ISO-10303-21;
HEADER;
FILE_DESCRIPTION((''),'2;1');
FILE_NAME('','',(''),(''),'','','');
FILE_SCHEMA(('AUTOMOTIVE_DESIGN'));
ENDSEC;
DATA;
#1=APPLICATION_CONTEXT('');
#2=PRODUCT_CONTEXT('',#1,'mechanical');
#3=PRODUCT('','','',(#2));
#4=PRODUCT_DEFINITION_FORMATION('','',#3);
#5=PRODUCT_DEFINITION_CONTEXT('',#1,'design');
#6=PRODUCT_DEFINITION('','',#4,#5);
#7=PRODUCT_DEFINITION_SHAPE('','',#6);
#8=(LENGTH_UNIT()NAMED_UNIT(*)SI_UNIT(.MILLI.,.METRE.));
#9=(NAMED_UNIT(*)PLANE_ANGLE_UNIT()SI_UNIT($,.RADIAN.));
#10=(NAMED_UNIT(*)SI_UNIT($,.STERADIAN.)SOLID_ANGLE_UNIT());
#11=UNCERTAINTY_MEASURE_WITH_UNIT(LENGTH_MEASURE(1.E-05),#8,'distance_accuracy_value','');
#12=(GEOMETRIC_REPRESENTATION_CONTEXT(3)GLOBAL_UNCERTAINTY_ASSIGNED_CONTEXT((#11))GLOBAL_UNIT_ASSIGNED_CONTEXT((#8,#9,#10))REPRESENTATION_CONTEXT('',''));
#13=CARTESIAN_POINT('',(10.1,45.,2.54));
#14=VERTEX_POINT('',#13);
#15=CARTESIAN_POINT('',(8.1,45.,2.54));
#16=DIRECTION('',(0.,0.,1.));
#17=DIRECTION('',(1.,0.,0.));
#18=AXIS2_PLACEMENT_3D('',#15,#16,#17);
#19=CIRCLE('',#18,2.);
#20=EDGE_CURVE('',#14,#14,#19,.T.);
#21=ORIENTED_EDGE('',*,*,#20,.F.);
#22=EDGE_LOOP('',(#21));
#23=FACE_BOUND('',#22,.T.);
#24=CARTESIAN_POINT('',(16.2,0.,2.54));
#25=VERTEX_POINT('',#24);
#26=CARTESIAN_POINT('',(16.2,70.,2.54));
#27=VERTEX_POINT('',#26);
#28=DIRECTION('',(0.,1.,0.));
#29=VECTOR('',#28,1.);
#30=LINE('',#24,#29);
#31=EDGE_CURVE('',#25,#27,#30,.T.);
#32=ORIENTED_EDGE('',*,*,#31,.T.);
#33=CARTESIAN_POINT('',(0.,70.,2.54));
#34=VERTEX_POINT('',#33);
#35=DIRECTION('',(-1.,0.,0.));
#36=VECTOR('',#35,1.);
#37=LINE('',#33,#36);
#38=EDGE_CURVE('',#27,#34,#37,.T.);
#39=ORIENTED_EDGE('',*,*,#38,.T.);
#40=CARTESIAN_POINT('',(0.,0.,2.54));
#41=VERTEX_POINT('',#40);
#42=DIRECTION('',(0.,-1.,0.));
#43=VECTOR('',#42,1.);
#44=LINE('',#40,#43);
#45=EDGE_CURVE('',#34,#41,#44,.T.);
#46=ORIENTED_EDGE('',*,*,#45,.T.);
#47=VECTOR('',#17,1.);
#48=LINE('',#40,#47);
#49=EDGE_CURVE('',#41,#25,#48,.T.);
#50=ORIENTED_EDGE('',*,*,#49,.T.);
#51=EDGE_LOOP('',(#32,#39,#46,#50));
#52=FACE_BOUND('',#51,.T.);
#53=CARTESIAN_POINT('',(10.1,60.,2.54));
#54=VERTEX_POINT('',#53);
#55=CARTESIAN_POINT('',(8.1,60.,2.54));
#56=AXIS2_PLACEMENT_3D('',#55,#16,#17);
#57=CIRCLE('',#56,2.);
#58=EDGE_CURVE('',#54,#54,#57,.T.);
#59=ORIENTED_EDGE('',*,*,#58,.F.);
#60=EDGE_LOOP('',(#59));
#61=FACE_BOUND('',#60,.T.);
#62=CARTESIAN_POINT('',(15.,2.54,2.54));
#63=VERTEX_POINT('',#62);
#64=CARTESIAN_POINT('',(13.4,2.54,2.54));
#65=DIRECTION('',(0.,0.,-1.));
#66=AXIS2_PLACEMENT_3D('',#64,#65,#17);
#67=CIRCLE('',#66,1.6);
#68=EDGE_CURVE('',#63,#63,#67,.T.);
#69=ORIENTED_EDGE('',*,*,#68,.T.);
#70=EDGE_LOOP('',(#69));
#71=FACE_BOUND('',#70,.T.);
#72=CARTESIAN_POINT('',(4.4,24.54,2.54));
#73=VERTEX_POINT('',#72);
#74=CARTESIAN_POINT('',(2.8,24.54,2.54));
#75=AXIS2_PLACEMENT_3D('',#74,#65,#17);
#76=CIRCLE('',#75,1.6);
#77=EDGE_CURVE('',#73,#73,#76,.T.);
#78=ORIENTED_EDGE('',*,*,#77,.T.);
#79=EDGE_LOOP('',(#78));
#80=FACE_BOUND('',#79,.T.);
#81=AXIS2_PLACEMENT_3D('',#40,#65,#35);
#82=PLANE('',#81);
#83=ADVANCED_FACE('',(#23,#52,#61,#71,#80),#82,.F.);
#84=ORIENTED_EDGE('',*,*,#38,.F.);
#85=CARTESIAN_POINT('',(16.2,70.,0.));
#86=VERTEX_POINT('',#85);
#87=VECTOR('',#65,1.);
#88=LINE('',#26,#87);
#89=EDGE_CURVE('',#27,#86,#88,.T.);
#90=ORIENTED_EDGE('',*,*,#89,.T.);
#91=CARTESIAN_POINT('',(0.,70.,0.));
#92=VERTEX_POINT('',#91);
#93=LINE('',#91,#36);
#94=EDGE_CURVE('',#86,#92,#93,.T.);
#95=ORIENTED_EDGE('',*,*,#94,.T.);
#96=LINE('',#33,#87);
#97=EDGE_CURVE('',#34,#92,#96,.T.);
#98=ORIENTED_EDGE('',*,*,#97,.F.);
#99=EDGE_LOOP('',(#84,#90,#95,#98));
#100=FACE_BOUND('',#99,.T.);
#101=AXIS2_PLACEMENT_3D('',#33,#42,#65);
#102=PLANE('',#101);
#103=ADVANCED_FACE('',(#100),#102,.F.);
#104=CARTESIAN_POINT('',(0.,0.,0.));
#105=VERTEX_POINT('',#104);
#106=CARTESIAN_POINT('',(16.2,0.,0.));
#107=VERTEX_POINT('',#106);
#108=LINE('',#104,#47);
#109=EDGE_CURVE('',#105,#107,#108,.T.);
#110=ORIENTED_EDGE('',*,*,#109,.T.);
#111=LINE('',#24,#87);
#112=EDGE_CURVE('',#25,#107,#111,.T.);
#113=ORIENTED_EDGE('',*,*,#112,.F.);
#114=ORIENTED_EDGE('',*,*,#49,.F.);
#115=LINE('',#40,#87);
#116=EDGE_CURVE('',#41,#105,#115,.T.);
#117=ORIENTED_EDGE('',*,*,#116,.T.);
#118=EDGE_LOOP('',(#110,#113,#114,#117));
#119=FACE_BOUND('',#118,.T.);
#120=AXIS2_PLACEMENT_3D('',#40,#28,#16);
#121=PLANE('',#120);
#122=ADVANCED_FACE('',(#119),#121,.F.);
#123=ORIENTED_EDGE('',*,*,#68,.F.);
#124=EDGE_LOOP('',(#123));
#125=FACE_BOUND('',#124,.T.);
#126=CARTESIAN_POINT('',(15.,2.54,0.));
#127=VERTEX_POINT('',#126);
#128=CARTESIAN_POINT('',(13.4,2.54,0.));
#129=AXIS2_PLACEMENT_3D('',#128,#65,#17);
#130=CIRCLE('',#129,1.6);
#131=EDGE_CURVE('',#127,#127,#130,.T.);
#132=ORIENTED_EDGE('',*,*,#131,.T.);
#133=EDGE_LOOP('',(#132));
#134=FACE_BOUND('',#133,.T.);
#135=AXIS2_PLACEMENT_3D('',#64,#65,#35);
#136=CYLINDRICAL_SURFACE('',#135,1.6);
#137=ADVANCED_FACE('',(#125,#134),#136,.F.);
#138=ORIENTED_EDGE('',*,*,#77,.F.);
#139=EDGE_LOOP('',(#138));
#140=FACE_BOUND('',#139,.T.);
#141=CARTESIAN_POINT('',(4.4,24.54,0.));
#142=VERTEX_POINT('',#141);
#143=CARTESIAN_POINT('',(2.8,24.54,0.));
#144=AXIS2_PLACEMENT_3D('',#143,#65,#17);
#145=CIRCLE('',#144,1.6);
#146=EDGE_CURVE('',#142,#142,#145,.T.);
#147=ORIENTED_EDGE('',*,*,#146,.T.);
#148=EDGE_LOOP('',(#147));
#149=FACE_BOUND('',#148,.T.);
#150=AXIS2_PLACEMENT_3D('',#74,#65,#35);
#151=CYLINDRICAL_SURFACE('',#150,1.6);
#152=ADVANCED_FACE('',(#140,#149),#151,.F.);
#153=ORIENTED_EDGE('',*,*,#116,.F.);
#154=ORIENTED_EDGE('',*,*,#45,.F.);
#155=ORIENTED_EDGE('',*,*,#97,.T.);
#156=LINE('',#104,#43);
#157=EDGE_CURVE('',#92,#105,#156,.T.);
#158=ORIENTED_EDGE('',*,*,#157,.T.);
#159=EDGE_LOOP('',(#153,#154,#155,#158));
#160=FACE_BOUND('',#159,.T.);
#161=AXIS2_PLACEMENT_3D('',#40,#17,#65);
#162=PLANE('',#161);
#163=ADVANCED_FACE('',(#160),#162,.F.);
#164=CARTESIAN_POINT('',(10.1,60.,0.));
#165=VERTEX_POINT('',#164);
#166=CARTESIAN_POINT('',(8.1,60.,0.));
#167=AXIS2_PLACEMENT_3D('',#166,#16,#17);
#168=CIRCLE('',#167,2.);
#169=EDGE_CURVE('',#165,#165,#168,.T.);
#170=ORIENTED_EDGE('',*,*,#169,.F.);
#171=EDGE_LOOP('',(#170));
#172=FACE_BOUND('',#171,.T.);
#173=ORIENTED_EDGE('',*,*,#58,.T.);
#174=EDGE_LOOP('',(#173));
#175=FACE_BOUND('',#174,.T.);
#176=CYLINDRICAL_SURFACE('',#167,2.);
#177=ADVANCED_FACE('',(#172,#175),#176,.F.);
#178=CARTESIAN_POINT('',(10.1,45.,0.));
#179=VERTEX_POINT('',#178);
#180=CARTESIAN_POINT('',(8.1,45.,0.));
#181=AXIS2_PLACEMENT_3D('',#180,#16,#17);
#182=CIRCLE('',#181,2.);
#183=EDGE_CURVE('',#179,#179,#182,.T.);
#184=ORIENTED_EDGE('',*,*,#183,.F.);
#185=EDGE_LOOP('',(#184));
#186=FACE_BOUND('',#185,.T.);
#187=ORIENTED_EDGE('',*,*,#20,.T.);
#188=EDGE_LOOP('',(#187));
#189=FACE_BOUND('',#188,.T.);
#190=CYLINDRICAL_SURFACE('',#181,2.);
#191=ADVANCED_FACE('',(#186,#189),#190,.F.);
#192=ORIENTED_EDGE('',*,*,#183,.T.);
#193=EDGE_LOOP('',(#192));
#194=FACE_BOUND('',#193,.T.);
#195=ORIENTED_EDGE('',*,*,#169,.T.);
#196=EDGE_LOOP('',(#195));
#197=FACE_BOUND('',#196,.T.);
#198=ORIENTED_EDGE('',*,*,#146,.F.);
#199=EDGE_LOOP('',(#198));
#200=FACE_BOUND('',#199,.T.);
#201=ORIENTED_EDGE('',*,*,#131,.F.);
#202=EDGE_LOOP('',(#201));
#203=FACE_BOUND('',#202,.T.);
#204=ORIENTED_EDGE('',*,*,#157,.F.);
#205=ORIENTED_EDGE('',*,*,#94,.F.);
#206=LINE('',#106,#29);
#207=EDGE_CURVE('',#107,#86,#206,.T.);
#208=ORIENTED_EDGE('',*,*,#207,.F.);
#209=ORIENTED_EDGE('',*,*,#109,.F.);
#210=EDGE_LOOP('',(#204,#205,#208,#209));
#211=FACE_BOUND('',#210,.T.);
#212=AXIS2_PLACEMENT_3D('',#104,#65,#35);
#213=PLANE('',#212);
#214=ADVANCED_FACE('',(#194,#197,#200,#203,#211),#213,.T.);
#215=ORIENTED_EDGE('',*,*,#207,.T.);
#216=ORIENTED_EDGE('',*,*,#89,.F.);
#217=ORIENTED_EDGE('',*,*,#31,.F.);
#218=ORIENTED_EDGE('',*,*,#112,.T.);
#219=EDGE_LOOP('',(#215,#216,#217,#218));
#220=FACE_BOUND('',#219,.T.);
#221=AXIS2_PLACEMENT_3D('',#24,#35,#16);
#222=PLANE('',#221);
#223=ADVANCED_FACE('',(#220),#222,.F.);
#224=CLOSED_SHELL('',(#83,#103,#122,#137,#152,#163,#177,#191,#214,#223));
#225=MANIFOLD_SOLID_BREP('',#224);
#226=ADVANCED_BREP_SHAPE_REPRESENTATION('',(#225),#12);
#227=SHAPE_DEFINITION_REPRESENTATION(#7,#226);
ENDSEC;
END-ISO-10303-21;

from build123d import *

# Parameters (mm, degrees)
SKETCH1_W           = 16.2
SKETCH1_H           = 70
BOSS_EXTRUDE1_DEPTH = 2.54
SKETCH4_R           = 1.6
CUT_EXTRUDE1_DEPTH  = 2.54
SKETCH6_R           = 2
CUT_EXTRUDE3_DEPTH  = 3.54


with BuildPart() as part:
    # Sketch1 → Boss-Extrude1 (new body)
    with BuildSketch(Plane.XY):
        with Locations((8.1, 35)):
            Rectangle(SKETCH1_W, SKETCH1_H)
    extrude(amount=BOSS_EXTRUDE1_DEPTH)

    # Sketch4 → Cut-Extrude1 (cut)
    with BuildSketch(Plane(origin=(0, 0, 0), x_dir=(-1, 0, 0), z_dir=(0, 0, -1))):
        with Locations((-13.4, 2.54)):
            Circle(SKETCH4_R)
        with Locations((-2.8, 24.54)):
            Circle(SKETCH4_R)
    extrude(amount=-CUT_EXTRUDE1_DEPTH, mode=Mode.SUBTRACT)

    # Sketch6 → Cut-Extrude3 (cut, through all)
    with BuildSketch(Plane.XY.offset(2.54)):
        with Locations((8.1, 60)):
            Circle(SKETCH6_R)
        with Locations((8.1, 45)):
            Circle(SKETCH6_R)
    extrude(amount=-CUT_EXTRUDE3_DEPTH, mode=Mode.SUBTRACT)


solid = part.part
